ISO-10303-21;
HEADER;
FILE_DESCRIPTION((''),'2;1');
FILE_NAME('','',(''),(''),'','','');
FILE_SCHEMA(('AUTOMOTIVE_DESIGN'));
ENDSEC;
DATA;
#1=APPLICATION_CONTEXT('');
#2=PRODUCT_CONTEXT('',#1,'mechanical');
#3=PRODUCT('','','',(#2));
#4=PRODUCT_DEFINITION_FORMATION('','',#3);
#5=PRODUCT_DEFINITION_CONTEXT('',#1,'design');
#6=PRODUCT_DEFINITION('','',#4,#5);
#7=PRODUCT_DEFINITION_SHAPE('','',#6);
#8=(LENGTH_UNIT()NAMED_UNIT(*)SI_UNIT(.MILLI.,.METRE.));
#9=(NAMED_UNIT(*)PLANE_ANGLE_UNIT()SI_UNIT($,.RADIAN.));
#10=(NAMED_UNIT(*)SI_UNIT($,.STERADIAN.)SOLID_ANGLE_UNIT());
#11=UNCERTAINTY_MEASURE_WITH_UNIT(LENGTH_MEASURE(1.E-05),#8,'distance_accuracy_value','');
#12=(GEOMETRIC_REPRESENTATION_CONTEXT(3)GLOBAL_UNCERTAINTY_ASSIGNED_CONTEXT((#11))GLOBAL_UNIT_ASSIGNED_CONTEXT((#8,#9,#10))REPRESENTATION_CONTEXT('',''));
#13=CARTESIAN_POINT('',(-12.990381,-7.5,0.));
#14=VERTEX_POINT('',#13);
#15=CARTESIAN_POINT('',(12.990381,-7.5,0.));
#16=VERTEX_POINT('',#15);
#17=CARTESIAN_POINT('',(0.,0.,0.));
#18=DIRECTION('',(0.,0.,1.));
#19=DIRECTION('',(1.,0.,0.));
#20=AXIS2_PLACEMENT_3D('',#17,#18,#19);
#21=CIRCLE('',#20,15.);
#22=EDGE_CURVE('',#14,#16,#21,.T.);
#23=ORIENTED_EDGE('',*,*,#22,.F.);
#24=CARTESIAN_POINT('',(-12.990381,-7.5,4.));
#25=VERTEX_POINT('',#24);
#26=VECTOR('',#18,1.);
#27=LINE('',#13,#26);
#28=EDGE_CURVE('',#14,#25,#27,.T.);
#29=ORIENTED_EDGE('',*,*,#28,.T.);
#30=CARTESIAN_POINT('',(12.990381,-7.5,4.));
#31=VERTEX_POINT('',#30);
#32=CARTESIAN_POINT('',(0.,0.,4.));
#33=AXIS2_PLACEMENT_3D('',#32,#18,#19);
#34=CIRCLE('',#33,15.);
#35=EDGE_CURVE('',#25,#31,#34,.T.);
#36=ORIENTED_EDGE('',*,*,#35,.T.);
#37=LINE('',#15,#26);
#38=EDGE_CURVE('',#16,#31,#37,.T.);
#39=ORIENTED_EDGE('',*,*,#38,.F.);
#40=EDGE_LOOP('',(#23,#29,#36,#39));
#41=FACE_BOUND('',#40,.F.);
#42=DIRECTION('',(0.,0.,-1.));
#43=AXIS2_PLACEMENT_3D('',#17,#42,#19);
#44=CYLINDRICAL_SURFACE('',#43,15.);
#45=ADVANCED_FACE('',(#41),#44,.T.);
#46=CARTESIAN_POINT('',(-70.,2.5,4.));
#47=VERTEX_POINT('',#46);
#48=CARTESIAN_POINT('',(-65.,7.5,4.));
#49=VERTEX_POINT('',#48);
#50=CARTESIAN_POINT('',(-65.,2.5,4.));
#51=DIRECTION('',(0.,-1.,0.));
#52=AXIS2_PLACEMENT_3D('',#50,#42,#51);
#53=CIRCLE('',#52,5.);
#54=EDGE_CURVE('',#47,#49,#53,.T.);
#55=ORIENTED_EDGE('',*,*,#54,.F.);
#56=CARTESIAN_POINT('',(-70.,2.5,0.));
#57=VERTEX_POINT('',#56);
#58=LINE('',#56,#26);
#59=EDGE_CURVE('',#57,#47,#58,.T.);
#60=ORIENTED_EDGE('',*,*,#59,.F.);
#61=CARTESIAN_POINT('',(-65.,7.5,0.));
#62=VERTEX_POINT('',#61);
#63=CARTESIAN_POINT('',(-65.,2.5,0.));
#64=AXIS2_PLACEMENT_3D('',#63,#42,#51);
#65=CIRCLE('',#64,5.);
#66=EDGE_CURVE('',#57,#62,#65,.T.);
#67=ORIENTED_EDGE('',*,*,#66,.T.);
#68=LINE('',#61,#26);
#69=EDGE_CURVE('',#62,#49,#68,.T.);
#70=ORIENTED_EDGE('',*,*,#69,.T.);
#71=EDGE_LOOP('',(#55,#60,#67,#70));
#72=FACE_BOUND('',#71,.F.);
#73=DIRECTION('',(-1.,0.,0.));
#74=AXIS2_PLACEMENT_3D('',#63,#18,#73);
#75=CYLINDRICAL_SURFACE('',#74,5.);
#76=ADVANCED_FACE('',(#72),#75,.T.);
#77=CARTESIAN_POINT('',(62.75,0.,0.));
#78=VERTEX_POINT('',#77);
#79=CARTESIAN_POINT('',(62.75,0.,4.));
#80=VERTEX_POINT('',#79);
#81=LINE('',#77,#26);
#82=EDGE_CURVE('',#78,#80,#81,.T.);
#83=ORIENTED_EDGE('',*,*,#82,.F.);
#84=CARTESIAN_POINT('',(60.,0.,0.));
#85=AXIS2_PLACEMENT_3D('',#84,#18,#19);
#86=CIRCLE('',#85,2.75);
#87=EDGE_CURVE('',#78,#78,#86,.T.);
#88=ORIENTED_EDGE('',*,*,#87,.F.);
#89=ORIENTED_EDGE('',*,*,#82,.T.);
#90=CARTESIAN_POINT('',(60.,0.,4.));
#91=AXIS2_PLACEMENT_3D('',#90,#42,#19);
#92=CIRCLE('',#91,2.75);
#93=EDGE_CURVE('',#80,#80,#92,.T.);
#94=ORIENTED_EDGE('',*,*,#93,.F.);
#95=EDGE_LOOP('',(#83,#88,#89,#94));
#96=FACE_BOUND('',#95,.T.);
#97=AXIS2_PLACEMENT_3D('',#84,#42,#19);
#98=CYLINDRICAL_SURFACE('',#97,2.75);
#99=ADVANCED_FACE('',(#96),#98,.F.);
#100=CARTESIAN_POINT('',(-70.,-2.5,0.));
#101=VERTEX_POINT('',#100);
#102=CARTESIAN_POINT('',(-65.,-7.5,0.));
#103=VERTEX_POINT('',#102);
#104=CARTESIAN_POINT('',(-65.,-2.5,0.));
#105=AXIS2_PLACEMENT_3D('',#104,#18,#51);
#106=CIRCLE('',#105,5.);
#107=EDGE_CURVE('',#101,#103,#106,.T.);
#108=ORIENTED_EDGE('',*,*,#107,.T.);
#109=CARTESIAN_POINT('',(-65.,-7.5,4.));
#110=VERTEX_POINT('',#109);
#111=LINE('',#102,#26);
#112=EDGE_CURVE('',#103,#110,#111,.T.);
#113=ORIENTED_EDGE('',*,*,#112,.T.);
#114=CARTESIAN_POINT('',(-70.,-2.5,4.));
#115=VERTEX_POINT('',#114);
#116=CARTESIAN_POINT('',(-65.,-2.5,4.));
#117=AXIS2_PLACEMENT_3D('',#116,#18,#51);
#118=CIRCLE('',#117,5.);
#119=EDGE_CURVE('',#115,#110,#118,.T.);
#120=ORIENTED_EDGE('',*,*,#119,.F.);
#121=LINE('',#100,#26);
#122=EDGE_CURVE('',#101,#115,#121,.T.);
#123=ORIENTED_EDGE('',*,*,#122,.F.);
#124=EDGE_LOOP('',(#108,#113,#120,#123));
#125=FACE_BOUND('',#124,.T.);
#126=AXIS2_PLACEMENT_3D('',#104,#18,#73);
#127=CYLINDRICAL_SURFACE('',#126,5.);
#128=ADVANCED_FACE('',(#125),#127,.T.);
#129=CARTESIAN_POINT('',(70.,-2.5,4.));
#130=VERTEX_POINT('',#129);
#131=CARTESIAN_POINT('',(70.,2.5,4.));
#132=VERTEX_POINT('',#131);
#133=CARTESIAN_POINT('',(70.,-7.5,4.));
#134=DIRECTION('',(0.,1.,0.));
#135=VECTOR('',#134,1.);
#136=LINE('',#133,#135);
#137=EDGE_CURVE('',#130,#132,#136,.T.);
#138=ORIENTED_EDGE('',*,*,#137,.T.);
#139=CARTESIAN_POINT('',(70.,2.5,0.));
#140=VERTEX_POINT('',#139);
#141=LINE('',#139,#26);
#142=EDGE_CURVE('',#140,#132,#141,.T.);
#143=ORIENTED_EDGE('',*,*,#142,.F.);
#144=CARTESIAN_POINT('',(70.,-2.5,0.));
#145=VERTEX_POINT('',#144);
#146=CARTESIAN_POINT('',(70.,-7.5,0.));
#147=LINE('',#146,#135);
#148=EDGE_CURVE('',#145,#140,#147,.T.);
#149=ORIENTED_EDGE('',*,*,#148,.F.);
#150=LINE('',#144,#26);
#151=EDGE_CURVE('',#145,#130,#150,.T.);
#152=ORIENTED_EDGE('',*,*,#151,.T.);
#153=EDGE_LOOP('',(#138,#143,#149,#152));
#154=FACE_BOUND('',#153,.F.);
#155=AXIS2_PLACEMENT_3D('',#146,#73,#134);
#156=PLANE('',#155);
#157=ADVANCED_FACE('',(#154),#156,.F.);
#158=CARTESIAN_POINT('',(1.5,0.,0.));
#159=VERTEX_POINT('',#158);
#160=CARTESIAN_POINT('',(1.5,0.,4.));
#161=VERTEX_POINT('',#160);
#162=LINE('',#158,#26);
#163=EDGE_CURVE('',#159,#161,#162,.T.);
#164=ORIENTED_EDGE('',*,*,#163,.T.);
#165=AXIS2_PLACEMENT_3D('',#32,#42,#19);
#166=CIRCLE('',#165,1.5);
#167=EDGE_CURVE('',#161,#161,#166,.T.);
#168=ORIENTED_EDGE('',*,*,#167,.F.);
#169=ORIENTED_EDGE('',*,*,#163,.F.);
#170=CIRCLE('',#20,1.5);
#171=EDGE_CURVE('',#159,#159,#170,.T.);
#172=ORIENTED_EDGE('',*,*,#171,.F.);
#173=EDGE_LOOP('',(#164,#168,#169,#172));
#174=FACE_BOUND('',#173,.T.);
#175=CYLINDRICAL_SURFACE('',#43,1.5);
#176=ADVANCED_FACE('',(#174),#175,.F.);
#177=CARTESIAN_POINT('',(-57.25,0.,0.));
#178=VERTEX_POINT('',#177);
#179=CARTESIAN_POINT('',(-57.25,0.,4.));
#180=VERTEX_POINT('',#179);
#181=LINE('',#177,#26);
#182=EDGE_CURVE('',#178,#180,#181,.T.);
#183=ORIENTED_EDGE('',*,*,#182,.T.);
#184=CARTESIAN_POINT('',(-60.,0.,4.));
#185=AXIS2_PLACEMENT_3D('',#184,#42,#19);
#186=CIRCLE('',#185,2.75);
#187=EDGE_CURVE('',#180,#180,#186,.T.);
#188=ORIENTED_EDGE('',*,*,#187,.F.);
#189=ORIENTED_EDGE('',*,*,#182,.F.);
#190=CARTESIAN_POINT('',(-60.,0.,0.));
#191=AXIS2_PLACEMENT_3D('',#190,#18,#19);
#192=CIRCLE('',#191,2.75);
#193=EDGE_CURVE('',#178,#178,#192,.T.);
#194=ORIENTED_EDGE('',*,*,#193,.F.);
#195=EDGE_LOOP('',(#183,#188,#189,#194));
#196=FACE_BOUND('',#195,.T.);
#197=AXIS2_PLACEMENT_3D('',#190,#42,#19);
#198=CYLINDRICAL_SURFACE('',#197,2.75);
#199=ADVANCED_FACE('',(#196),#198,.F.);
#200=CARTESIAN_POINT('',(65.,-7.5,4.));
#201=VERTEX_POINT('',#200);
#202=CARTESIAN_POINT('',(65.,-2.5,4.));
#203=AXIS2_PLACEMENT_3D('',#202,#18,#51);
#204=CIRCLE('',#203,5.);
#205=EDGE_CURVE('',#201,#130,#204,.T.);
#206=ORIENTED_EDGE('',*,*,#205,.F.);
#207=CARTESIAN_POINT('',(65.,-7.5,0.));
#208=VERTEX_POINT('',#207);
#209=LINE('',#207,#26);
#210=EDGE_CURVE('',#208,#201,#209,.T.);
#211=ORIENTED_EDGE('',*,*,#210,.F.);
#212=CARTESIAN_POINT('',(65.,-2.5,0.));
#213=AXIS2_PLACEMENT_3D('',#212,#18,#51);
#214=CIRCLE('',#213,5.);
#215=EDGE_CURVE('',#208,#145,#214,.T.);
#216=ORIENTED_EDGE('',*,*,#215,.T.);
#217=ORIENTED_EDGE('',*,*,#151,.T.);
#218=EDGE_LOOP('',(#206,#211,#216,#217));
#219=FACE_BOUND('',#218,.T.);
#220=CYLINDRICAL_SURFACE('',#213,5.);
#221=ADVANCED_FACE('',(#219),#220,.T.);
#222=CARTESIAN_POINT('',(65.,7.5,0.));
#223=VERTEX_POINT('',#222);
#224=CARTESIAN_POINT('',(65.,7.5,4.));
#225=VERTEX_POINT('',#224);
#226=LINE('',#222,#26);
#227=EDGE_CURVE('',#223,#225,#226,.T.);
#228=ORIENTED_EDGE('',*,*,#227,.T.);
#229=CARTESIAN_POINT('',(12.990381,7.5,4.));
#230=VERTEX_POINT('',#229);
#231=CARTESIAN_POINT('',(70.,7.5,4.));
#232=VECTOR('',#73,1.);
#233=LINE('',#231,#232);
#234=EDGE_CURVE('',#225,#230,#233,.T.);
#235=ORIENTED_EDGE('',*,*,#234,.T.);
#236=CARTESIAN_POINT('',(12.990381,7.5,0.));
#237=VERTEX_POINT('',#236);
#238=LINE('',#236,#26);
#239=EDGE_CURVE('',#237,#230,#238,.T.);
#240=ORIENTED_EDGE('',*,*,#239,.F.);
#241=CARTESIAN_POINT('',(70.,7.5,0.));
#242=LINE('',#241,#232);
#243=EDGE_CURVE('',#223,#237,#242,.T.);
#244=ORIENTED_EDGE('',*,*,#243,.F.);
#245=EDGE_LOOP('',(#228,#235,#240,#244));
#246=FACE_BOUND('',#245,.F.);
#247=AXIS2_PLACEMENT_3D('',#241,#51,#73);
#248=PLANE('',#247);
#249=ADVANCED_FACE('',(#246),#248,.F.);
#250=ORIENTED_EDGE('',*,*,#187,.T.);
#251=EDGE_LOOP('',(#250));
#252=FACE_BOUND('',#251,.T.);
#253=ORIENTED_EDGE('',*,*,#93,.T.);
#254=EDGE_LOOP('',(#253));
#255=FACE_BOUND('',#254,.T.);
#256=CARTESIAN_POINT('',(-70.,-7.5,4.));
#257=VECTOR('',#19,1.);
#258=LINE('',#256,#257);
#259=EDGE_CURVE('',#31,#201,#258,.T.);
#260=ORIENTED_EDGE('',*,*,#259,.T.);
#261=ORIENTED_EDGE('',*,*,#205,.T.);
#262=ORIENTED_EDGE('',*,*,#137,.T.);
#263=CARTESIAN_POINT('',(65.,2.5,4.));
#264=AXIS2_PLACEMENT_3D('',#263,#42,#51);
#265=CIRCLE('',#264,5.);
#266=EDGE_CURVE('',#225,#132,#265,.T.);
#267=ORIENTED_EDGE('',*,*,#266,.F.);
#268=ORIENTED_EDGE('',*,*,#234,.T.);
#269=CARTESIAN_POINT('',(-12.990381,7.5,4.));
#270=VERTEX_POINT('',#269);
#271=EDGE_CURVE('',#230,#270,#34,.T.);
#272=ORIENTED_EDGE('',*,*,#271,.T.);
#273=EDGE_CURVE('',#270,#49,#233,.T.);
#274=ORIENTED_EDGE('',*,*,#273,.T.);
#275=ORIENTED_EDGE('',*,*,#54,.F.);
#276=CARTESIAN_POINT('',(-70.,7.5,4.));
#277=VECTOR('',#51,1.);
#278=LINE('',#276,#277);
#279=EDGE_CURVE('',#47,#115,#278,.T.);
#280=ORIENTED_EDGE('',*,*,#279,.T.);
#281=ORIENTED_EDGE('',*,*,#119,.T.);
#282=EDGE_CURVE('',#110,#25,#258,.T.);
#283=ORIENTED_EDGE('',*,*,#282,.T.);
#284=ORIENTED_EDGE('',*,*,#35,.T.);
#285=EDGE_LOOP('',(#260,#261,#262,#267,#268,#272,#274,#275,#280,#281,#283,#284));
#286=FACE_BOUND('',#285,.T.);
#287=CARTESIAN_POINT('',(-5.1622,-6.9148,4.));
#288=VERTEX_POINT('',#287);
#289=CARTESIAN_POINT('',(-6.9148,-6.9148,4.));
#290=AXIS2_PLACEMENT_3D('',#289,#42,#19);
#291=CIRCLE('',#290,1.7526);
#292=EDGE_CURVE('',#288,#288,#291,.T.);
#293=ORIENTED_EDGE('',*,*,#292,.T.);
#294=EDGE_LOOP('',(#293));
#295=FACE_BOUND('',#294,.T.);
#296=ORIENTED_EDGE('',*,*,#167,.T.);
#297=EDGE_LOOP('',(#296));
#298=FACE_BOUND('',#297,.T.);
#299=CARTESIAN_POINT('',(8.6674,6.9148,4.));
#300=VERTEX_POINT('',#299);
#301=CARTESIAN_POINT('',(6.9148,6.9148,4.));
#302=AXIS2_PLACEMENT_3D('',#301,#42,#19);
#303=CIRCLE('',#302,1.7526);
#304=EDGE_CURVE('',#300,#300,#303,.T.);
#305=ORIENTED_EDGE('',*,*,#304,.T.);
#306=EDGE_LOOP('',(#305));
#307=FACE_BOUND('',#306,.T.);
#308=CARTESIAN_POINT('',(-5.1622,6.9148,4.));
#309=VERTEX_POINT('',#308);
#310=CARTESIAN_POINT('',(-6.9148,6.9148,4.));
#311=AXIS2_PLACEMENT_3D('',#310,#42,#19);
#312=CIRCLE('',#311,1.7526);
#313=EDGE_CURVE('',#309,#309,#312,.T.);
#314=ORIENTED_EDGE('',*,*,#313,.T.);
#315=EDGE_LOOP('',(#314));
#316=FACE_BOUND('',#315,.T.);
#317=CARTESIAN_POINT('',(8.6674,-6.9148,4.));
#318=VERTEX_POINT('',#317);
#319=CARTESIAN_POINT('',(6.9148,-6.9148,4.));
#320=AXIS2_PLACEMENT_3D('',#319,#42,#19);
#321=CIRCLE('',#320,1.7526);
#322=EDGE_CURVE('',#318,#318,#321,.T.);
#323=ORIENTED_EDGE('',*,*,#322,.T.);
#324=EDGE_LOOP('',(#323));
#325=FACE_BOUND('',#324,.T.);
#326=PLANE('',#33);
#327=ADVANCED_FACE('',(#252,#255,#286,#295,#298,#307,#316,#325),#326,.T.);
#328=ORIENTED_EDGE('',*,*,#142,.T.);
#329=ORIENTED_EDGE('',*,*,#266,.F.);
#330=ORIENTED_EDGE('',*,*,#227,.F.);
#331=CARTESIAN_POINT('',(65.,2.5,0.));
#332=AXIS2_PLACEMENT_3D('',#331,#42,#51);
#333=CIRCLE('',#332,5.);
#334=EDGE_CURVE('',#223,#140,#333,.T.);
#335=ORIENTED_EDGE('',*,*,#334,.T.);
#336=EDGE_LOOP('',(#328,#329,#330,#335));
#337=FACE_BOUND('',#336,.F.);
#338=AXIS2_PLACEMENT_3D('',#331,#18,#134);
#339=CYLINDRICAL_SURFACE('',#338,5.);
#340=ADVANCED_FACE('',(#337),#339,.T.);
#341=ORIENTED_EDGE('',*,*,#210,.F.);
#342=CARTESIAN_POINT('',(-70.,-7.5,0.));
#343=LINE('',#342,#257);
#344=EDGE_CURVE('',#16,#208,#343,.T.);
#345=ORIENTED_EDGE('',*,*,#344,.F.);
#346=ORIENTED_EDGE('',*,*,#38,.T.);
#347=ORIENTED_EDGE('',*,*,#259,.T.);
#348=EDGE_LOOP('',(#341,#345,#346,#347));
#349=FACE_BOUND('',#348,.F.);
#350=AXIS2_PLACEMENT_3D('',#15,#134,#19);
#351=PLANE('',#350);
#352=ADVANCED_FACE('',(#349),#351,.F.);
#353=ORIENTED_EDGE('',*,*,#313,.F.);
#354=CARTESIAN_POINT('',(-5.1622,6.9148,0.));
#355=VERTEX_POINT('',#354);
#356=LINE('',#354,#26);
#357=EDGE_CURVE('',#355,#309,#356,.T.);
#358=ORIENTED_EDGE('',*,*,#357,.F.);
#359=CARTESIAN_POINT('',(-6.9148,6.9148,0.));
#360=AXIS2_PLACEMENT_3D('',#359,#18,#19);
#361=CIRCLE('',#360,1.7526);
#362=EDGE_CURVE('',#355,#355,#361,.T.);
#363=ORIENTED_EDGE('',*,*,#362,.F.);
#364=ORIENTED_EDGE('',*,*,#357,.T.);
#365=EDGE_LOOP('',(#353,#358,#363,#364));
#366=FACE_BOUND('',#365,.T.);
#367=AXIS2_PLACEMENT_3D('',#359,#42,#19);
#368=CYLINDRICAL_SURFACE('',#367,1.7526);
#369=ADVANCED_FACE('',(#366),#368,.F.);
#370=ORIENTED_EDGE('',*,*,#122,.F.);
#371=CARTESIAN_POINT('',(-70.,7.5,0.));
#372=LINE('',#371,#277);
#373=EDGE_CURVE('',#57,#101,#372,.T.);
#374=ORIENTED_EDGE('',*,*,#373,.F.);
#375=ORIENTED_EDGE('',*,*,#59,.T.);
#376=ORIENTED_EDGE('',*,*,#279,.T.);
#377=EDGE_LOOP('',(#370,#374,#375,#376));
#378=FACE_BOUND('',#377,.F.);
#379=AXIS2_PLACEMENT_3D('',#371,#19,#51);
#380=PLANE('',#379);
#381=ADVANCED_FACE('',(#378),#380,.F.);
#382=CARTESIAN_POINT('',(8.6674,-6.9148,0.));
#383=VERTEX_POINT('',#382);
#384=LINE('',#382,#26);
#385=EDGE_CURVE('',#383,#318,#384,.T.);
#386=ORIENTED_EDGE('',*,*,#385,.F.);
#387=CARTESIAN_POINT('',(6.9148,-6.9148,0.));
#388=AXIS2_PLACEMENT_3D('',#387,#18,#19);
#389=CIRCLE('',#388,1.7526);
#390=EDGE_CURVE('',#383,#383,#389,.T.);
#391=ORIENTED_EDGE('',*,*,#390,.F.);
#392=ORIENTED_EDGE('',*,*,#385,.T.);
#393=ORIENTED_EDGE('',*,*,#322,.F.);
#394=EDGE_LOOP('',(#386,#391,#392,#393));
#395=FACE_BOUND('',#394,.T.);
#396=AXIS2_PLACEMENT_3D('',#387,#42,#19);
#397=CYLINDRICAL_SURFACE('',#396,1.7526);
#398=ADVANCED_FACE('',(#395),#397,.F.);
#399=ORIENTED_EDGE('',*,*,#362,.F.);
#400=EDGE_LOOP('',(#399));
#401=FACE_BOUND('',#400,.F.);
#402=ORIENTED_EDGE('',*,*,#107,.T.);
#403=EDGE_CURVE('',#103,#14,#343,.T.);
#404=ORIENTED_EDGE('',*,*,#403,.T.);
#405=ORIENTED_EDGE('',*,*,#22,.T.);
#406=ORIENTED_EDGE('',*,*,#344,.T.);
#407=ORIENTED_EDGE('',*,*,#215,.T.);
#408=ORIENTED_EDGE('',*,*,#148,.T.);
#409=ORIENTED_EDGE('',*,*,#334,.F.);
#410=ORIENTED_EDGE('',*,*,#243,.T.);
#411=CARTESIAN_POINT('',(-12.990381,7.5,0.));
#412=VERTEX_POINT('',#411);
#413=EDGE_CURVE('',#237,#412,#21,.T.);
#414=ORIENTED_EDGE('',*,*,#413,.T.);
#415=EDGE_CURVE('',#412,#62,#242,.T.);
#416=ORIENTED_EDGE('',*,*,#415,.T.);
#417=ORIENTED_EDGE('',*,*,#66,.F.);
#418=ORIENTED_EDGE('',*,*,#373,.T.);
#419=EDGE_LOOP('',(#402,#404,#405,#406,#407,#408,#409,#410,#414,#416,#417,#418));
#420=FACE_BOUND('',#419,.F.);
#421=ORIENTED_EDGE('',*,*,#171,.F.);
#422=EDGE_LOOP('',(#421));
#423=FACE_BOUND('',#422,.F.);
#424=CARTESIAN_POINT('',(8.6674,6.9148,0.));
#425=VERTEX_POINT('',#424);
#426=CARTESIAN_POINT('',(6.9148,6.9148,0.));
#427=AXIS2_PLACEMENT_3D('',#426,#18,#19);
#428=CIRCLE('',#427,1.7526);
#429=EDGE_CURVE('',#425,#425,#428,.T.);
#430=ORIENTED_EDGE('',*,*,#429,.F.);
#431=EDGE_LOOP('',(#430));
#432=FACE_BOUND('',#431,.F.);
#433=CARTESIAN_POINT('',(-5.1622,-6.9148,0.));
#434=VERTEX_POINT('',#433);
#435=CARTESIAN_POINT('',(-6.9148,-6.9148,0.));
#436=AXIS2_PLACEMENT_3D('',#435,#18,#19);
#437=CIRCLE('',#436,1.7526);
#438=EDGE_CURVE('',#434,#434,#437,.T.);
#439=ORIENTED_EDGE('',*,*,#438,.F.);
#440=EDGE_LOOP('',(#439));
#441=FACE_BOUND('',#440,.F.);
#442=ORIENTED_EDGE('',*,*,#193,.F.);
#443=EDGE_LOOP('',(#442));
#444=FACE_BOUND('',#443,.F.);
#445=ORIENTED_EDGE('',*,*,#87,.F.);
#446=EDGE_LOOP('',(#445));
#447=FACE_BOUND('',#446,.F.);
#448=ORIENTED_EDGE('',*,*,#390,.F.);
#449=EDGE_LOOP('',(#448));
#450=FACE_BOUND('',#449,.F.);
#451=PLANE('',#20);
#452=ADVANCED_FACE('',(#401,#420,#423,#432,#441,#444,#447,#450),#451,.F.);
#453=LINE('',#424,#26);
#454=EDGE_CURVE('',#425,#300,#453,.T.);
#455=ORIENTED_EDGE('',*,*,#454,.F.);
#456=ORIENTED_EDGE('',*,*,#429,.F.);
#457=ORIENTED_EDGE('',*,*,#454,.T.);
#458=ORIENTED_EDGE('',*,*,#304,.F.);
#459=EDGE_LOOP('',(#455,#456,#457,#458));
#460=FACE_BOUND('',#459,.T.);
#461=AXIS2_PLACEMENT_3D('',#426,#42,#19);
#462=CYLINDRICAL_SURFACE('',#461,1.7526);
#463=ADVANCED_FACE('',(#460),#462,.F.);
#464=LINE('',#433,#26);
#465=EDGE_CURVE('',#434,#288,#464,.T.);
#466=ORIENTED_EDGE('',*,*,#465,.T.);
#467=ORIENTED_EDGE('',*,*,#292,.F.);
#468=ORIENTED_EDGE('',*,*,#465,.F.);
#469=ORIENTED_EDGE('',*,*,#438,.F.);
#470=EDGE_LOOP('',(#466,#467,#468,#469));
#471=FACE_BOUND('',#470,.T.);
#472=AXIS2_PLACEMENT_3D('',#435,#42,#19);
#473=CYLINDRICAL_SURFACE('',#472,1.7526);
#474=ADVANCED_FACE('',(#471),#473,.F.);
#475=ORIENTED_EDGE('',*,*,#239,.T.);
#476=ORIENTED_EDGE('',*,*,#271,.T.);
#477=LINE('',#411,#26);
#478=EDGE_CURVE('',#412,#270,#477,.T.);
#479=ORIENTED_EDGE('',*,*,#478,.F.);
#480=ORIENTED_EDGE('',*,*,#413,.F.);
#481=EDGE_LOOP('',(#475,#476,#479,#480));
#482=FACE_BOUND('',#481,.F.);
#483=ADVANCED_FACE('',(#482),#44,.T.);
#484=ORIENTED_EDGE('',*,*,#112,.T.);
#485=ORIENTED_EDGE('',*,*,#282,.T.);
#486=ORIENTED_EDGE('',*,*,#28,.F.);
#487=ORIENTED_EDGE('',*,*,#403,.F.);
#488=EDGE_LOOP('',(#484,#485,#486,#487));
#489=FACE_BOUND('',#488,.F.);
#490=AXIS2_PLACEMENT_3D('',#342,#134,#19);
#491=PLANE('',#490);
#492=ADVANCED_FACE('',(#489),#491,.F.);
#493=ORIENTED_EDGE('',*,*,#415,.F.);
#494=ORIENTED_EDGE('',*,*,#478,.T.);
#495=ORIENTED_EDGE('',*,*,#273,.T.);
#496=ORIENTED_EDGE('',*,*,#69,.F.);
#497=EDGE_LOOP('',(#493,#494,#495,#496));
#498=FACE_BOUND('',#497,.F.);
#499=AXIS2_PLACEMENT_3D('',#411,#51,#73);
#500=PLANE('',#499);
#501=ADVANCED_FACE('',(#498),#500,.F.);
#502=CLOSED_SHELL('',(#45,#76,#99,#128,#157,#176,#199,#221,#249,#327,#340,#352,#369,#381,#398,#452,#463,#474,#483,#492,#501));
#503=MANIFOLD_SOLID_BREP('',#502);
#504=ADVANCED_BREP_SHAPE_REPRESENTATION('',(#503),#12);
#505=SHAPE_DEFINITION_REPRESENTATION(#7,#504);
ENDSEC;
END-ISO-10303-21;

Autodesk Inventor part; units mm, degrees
ref_plane "YZ Plane" through (0, 0, 0) normal (1, 0, 0) x (0, 1, 0)
ref_plane "XZ Plane" through (0, 0, 0) normal (0, 1, 0) x (-1, 0, 0)
ref_plane "XY Plane" through (0, 0, 0) normal (0, 0, 1) x (1, 0, 0)
sketch "Sketch1" plane through (0, 0, 0) normal (0, 0, 1) x (1, 0, 0)
  line L0 (-70, -7.5) -> (70, -7.5)
  line L1 (70, -7.5) -> (70, 7.5)
  line L2 (70, 7.5) -> (-70, 7.5)
  line L3 (-70, 7.5) -> (-70, -7.5)
  line L4 (-70, -7.5) -> (70, 7.5) construction
  line L5 (70, -7.5) -> (-70, 7.5) construction
  circle A0 centre (0, 0) radius 15
  line L6 (-73.4722, 0) -> (96.5278, 0) construction
  circle A1 centre (-60, 0) radius 2.75
  line L7 (0, 0) -> (0, 31) construction
  circle A2 centre (60, 0) radius 2.75
  circle A3 centre (0, 0) radius 1.5
  circle A4 centre (-6.9148, 6.9148) radius 1.7526
  line L8 (0, 0) -> (-14.5685, 14.5685) construction
  circle A5 centre (-6.9148, -6.9148) radius 1.7526
  circle A6 centre (6.9148, -6.9148) radius 1.7526
  circle A7 centre (6.9148, 6.9148) radius 1.7526
  point P0 (0, 0)
  dimension "d0" = 140
  dimension "d1" = 15
  dimension "d4" = 30
  dimension "d5" = 5.5
  dimension "d6" = 10
  dimension "d10" = 3
  dimension "d11" = 3.5052
  dimension "d12" = 45
  dimension "d13" = 6.9148
  dimension "d16" = 360
extrude "Extrusion1" add sketch "Sketch1" along normal blind 4 contours L3 L2 A0 L0 | A0 L2 A4 A7 L0 A6 A5 | L0 A5 A6 A0 | A5 L0 | L0 A5 | A0 L2 A7 A4 | A0 L2 L1 L0 | A4 L2 | L2 A4 | A6 L0 | L0 A6 | A7 L2 | L2 A7 | A1 | A2 | A3
extrude "Extrusion2" cut sketch "Sketch1" along normal through all contours A5 L0 | L0 A5 | A4 L2 | L2 A4 | A6 L0 | L0 A6 | A7 L2 | L2 A7 | A1 | A2 | A3
fillet "Fillet1" radius 5 4 edges at (70, -7.5, 2) (70, 7.5, 2) (-70, -7.5, 2) (-70, 7.5, 2)
equation "\"BendRadius\" = Thickness"
equation "\"BendReliefWidth\" = Thickness"
equation "\"BendReliefDepth\" = 0.5 * Thickness"
equation "\"CornerReliefSize\" = 4 * Thickness"
equation "\"MinimumRemnant\" = 2 * Thickness"
equation "\"TransitionRadius\" = BendRadius"
equation "\"JacobiRadiusSize\" = Thickness"
equation "\"GapSize\" = Thickness"
equation "\"Thickness\" = 0.5"
properties part number "rudder_horn"
